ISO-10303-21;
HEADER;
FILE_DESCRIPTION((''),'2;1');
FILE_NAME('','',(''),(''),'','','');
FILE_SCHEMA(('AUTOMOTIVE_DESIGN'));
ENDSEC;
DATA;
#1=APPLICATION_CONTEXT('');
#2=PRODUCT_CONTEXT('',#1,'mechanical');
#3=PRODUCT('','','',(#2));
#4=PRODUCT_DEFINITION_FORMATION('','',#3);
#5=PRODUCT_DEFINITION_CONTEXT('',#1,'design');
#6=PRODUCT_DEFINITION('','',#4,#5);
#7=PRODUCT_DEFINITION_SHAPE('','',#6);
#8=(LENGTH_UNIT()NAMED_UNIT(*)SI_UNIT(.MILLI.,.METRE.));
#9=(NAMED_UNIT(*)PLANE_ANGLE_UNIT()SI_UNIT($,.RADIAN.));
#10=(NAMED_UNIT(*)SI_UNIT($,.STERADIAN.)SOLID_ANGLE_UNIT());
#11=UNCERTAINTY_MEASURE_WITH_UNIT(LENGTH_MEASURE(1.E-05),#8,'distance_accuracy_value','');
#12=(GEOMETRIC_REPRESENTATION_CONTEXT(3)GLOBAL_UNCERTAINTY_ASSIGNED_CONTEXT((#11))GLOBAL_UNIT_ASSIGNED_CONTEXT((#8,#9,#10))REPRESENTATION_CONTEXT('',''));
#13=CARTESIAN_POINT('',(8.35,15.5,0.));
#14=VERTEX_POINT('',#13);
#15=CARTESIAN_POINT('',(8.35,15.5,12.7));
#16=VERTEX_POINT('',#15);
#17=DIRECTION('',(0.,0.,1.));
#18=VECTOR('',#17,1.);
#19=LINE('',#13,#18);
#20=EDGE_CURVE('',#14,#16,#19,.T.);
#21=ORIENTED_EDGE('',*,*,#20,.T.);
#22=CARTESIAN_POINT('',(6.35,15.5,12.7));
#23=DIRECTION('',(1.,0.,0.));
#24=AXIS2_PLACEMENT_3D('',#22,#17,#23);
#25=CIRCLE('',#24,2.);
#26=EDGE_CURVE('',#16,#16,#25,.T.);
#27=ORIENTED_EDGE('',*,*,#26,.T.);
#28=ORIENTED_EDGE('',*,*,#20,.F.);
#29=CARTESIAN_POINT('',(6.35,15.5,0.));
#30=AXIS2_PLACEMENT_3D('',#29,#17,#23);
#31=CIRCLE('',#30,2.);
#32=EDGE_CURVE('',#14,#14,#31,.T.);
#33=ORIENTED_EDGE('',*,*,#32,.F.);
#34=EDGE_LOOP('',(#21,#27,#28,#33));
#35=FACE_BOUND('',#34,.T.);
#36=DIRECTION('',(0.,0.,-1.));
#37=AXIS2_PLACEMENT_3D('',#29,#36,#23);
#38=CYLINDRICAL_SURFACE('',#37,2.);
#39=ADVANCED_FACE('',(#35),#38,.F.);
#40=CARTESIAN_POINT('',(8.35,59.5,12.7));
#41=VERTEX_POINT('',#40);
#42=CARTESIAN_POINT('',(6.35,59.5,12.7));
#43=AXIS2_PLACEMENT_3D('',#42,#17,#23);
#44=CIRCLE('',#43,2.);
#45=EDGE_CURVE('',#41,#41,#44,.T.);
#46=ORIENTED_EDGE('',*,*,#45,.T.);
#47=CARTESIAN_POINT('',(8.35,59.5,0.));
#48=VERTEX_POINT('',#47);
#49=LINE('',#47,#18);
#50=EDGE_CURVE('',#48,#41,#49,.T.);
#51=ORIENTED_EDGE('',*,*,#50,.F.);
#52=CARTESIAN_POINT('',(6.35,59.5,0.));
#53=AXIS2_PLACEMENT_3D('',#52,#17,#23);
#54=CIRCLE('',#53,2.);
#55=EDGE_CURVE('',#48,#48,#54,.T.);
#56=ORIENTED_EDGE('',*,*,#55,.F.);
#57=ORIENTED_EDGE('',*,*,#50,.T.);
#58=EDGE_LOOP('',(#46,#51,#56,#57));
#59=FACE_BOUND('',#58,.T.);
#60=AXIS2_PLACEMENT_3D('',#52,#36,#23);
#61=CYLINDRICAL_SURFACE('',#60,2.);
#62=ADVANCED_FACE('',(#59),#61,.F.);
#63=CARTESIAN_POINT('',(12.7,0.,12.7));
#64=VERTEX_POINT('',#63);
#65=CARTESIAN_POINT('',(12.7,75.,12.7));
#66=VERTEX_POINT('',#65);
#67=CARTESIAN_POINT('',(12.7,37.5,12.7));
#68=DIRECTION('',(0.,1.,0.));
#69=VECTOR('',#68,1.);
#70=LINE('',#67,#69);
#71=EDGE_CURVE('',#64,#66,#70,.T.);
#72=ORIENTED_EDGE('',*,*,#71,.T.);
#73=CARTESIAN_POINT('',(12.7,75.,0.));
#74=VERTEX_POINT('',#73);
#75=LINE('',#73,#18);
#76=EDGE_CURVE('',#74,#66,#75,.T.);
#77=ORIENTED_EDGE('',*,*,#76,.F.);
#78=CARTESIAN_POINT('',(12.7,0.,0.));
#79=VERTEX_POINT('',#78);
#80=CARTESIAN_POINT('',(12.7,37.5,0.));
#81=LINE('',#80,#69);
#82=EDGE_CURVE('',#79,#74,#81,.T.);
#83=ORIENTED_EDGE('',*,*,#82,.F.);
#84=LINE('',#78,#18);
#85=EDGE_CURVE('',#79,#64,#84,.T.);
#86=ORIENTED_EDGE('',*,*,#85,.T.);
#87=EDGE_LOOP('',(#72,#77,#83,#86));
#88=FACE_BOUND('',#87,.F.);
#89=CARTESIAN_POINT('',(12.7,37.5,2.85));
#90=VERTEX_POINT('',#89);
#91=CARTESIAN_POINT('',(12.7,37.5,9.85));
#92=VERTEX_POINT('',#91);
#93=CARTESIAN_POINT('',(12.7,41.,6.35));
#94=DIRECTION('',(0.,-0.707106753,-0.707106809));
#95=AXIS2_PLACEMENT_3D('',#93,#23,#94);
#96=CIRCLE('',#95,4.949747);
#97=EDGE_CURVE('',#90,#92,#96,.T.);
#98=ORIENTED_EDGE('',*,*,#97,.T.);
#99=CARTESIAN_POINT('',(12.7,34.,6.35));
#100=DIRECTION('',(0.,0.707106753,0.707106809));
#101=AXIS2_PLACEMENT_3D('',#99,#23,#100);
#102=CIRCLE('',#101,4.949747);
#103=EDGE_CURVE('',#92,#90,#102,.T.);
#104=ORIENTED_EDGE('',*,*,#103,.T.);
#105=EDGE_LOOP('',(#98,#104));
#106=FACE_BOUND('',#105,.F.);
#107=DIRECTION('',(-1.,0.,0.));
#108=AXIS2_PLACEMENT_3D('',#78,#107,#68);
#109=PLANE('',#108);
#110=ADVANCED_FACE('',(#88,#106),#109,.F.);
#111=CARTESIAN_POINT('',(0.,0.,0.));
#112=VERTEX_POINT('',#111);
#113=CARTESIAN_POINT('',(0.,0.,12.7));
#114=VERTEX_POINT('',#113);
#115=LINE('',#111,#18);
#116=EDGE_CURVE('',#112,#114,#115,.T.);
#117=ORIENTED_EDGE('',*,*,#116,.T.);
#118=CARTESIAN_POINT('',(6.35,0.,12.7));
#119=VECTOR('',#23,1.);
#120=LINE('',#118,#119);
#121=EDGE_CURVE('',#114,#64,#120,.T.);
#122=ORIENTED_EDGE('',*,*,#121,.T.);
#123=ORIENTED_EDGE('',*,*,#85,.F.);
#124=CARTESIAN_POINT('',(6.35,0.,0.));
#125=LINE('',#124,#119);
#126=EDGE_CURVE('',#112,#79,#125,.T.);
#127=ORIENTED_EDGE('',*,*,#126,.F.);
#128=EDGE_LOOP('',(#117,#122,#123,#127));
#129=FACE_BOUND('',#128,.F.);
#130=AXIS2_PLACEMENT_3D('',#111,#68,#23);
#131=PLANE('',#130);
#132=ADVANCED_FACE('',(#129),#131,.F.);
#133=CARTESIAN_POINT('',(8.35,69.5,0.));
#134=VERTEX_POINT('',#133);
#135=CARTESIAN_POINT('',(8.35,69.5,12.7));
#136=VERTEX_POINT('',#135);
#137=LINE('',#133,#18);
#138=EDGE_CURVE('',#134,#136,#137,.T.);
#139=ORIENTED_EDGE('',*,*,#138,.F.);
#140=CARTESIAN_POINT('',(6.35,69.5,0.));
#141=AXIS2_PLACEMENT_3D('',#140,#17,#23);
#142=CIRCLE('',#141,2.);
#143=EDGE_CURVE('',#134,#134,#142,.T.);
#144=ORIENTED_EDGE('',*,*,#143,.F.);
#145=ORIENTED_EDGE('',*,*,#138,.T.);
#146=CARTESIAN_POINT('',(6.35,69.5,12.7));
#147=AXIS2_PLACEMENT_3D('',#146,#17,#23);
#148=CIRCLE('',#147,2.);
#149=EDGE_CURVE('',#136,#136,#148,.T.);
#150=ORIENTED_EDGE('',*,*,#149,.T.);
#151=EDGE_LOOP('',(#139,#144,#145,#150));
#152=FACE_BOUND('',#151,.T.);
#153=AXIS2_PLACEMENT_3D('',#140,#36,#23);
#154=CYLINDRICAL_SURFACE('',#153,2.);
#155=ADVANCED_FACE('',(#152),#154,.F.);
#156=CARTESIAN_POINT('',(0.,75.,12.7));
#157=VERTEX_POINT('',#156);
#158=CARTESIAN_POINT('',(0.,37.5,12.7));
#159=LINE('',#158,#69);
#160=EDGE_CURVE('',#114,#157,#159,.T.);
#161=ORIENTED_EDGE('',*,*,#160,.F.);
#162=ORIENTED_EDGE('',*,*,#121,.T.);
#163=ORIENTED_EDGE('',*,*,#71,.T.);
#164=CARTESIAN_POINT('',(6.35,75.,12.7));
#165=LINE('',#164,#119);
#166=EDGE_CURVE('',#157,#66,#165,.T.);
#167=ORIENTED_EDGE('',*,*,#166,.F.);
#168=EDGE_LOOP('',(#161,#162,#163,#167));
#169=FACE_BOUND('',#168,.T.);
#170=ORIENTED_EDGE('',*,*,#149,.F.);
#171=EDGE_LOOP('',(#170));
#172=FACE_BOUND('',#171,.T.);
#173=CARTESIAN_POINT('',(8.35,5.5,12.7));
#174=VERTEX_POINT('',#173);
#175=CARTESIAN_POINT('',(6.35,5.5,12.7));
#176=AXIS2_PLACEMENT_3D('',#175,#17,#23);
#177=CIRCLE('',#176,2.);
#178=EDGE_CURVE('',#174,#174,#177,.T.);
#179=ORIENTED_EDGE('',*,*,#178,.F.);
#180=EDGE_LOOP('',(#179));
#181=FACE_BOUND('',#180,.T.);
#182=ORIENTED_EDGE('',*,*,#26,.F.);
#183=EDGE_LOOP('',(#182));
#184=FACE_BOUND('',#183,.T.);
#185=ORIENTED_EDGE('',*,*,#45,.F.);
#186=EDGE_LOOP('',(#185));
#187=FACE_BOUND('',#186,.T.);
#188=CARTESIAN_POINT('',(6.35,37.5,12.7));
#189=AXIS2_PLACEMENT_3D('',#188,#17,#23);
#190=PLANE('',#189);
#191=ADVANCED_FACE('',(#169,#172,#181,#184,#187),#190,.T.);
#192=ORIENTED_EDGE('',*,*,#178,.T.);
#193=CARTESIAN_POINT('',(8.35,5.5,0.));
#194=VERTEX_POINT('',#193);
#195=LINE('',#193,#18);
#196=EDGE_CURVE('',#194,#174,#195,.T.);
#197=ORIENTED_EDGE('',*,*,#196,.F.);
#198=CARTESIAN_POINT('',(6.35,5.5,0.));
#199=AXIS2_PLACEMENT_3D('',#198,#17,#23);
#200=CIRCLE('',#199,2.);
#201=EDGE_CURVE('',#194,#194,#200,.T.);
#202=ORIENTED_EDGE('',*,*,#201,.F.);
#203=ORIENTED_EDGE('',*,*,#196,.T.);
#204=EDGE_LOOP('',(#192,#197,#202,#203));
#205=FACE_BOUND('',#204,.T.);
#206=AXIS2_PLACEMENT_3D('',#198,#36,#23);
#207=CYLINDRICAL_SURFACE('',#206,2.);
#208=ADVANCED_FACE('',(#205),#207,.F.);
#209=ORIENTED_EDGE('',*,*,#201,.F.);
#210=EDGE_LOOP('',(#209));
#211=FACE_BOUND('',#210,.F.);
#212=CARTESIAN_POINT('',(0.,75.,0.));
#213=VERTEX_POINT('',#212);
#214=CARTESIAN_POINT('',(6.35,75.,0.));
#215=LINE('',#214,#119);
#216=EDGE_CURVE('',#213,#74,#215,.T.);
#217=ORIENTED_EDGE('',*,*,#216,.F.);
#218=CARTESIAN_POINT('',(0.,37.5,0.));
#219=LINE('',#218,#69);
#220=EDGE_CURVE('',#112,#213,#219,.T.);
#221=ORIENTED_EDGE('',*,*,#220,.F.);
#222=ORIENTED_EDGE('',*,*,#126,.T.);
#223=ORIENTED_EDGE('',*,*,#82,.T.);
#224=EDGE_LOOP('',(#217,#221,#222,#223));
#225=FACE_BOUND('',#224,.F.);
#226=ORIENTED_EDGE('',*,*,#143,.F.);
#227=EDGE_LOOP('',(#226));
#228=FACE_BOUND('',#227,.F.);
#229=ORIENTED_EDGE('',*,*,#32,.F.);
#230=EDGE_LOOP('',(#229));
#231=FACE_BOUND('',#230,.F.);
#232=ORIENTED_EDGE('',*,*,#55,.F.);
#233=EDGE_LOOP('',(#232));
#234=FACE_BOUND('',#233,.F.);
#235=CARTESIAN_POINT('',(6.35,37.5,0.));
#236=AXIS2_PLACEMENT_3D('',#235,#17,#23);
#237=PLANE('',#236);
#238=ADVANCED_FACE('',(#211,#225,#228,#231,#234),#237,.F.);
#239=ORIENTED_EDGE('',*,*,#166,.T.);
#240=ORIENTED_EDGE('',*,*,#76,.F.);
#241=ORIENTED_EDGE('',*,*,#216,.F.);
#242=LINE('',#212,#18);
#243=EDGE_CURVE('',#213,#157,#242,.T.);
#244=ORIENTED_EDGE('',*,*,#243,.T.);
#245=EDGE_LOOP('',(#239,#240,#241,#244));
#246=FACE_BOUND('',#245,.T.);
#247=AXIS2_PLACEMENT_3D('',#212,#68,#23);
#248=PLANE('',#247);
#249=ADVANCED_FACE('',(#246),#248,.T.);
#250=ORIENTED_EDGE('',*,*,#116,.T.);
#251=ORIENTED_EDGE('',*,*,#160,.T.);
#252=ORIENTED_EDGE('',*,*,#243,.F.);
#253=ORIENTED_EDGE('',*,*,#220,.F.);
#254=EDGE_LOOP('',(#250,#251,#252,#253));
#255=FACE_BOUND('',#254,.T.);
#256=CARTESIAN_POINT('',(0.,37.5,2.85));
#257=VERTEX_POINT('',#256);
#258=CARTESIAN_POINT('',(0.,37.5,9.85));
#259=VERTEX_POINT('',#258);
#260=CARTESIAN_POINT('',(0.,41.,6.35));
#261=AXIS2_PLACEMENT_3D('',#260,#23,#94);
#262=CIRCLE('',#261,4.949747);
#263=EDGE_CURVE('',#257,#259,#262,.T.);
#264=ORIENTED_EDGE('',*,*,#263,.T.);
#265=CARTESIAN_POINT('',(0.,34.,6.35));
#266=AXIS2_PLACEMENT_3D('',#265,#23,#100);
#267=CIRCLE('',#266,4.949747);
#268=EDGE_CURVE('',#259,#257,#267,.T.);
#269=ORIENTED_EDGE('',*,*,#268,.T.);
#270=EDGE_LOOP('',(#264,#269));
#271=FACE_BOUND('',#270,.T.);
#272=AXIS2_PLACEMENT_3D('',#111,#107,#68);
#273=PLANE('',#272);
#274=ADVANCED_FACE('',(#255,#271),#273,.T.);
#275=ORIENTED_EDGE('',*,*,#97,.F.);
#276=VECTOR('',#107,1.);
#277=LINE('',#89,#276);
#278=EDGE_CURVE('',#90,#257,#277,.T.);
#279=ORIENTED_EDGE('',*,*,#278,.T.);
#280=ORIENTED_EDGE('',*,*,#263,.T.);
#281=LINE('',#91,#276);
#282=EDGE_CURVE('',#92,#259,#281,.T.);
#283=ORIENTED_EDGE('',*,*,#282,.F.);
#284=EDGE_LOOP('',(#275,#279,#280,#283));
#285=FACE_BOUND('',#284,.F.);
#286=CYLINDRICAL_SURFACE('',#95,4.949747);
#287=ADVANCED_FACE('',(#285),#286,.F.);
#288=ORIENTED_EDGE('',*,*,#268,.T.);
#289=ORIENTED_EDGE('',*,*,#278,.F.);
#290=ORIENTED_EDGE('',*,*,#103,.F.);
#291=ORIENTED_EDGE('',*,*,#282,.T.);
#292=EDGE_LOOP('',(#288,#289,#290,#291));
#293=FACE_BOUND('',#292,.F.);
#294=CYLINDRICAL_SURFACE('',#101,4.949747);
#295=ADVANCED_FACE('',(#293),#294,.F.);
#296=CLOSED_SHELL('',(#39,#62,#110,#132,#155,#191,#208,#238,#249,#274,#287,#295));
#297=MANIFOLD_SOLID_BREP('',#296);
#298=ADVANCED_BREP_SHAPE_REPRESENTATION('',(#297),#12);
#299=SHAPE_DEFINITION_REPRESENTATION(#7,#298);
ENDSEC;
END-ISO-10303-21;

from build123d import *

# Parameters (mm, degrees)
SKETCH_W     = 12.7
SKETCH_H     = 75
SKETCH_R     = 2
PAD_DEPTH    = 12.7
POCKET_DEPTH = 12.701


with BuildPart() as part:
    # Sketch → Pad (new body)
    with BuildSketch(Plane.XY):
        with Locations((6.35, 37.5)):
            Rectangle(SKETCH_W, SKETCH_H)
        with Locations((6.35, 69.5)):
            Circle(SKETCH_R, mode=Mode.SUBTRACT)
        with Locations((6.35, 59.5)):
            Circle(SKETCH_R, mode=Mode.SUBTRACT)
        with Locations((6.35, 15.5)):
            Circle(SKETCH_R, mode=Mode.SUBTRACT)
        with Locations((6.35, 5.5)):
            Circle(SKETCH_R, mode=Mode.SUBTRACT)
    extrude(amount=PAD_DEPTH)

    # Sketch001 (on Face2 of Pad) → Pocket (cut, through all)
    with BuildSketch(Plane.YZ.offset(12.7)):
        with BuildLine():
            ThreePointArc((37.5, 2.85), (45.949747, 6.35), (37.5, 9.85))
            ThreePointArc((37.5, 9.85), (29.050253, 6.35), (37.5, 2.85))
        make_face()
    extrude(amount=-POCKET_DEPTH, mode=Mode.SUBTRACT)


solid = part.part
